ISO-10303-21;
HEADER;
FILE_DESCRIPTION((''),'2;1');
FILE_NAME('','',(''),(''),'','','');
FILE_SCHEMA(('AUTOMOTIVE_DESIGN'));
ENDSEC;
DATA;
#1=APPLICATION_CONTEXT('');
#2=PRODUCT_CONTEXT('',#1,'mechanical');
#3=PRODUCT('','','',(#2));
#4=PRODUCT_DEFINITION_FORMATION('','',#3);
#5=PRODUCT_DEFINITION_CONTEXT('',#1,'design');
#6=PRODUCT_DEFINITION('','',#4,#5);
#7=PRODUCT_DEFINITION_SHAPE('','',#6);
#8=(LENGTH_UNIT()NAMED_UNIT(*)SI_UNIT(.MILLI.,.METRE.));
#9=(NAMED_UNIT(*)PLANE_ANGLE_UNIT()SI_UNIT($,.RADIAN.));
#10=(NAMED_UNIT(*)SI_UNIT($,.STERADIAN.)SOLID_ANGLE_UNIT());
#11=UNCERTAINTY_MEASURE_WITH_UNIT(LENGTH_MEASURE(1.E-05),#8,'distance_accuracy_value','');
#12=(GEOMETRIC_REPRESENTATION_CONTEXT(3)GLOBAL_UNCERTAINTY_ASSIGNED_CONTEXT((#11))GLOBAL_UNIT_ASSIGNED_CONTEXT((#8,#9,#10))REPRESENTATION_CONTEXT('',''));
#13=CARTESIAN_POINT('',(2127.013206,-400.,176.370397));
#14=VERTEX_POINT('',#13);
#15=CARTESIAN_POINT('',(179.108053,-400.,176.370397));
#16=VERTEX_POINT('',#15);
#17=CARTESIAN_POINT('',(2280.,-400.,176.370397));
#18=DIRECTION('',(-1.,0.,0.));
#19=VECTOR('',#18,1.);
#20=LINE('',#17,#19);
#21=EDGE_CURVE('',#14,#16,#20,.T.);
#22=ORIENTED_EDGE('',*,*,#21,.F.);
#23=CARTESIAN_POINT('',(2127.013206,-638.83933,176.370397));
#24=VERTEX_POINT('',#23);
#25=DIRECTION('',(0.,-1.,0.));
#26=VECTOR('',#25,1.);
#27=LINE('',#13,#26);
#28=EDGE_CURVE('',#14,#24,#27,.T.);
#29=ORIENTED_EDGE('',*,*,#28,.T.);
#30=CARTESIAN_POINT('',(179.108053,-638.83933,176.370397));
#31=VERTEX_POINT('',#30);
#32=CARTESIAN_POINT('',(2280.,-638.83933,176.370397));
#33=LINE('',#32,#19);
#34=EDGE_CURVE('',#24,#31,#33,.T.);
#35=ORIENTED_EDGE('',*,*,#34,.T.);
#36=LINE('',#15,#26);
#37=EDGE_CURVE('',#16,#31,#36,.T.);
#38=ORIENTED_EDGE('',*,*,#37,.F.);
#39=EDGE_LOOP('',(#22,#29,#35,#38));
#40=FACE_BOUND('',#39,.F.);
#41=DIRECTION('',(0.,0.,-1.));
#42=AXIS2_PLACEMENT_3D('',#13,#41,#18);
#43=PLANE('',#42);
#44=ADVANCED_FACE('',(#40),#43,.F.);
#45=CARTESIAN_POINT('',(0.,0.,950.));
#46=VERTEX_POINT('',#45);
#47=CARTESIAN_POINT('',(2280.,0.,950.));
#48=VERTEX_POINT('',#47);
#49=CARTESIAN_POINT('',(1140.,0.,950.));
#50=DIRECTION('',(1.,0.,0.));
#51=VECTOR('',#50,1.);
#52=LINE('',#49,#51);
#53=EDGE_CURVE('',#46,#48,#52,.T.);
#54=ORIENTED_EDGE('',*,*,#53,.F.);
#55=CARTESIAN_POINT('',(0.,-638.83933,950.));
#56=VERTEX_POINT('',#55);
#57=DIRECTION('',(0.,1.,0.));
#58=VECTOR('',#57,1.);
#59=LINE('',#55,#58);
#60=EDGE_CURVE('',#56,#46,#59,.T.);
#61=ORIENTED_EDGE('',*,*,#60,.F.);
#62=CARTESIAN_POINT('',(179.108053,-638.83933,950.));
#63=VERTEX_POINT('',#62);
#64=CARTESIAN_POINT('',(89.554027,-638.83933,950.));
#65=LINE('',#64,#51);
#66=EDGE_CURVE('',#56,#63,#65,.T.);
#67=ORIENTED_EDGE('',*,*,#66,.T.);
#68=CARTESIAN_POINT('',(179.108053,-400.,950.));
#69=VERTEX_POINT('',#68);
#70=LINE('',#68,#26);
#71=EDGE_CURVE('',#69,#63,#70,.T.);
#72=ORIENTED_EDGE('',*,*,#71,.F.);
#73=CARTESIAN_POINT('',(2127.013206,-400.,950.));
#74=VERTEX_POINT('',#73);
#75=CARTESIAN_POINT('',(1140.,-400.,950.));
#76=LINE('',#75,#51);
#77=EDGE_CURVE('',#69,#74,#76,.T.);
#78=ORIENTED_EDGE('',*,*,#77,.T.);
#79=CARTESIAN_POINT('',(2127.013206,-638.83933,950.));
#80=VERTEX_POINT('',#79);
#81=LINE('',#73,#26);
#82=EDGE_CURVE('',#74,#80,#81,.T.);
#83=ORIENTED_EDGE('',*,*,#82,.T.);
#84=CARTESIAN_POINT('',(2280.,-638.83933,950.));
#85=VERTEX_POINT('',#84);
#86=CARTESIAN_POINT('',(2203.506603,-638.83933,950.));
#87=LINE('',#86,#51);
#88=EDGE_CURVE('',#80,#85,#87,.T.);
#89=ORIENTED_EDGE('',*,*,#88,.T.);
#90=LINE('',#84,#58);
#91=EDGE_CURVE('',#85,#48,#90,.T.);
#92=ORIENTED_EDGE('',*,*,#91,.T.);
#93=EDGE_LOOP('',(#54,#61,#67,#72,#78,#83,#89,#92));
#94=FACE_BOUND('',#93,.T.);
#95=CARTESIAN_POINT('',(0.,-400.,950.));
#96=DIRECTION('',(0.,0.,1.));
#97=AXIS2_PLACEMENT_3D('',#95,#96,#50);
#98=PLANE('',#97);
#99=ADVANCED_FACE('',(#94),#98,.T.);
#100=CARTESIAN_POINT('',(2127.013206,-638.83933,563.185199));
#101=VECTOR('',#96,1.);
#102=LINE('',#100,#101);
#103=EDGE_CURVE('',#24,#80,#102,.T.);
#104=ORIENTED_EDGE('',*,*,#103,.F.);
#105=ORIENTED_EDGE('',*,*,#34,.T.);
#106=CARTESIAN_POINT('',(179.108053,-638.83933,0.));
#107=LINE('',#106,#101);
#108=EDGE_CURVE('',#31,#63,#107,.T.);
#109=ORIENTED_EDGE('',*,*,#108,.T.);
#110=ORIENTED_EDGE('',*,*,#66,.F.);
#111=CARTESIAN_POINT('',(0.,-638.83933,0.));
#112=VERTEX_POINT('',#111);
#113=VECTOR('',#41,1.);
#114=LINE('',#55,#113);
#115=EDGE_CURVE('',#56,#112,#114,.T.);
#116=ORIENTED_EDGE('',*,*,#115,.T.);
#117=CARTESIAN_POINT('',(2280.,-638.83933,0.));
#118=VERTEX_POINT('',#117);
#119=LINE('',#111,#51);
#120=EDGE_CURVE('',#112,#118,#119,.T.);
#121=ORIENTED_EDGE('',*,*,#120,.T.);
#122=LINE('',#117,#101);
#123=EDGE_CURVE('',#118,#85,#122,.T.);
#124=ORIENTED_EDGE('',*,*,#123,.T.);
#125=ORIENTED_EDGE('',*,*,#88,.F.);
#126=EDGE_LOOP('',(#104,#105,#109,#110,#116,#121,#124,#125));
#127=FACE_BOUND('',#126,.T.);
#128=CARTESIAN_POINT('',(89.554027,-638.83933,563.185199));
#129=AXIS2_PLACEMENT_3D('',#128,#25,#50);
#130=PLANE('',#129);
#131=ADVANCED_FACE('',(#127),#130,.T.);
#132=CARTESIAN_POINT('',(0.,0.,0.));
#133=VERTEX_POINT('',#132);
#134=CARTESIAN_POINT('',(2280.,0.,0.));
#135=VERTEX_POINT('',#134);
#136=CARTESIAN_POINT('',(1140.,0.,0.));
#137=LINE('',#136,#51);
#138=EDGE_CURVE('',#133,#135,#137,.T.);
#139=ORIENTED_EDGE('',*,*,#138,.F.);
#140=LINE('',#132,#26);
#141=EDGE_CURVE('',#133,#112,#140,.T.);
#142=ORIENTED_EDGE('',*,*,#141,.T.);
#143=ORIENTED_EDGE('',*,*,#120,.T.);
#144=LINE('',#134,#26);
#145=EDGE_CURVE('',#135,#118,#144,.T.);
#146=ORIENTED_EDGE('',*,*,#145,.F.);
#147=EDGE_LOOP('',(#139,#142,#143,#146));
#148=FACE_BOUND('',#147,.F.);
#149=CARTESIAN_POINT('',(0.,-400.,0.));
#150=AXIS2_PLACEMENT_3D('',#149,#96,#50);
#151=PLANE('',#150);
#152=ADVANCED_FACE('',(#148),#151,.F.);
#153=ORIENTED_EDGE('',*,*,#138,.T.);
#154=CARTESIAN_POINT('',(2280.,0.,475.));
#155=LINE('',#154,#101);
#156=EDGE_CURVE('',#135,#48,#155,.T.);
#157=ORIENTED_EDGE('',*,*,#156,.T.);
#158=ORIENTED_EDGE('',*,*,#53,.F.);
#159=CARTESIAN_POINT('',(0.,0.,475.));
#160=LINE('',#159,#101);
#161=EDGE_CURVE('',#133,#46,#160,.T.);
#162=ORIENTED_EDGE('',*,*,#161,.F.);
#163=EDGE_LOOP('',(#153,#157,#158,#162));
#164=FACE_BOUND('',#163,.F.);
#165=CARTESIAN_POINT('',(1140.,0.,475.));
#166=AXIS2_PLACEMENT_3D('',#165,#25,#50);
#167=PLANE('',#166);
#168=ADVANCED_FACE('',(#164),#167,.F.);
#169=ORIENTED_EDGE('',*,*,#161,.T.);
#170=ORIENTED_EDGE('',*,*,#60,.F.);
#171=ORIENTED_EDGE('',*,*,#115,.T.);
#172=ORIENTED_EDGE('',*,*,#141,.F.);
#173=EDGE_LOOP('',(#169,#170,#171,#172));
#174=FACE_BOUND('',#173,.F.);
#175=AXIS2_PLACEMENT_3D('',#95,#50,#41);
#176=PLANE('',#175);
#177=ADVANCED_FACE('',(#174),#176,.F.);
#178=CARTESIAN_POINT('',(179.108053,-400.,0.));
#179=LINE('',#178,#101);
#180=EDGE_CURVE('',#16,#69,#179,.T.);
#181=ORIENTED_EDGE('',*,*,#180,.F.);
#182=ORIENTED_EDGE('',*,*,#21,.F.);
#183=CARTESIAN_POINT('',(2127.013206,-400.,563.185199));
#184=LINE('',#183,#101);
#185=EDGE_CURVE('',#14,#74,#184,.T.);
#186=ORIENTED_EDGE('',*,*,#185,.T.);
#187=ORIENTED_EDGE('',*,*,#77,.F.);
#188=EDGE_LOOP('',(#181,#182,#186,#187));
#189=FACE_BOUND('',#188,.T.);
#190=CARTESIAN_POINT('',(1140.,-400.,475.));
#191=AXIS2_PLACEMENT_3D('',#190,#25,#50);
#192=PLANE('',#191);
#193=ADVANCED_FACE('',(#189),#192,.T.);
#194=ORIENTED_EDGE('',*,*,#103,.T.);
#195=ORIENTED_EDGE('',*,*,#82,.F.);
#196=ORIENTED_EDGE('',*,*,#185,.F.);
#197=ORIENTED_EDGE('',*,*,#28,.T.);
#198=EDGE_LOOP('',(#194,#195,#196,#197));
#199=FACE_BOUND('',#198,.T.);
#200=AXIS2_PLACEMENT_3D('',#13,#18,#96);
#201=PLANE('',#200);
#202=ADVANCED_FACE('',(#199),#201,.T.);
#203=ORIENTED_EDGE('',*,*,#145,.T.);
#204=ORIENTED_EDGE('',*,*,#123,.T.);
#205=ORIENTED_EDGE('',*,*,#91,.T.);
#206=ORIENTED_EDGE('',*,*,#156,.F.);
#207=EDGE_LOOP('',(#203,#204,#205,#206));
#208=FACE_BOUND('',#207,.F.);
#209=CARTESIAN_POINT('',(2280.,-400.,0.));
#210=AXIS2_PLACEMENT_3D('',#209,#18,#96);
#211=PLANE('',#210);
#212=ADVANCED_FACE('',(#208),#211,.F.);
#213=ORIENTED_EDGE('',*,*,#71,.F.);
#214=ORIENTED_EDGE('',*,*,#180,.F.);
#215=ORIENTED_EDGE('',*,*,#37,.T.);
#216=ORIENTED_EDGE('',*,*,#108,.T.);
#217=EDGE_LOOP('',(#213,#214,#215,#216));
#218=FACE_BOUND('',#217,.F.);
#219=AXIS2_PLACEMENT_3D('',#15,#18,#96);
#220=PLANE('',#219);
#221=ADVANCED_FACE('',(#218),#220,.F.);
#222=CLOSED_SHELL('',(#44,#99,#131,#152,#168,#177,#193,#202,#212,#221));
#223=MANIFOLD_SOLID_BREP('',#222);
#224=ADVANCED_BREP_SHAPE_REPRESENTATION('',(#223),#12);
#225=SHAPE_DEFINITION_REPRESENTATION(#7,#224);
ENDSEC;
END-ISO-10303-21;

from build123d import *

# Parameters (mm, degrees)
F0_W     = 2280
F0_H     = 950
F1_DEPTH = 400
F2_W     = 179.1080534458
F2_H     = 773.6296027899
F2_H_2   = 176.3703972101
F2_W_2   = 1947.9051530361
F2_W_3   = 152.9867935181
F3_DEPTH = 238.83933


with BuildPart() as f1:
    # F0 (on Front) → F1 (new body)
    with BuildSketch(Plane.XZ):
        with Locations((1140, 475)):
            Rectangle(F0_W, F0_H)
    extrude(amount=F1_DEPTH)

    # F2 (on face) → F3 (join)
    with BuildSketch(Plane.XZ.offset(400)):
        with Locations((89.5540267229, 563.1851986051)):
            Rectangle(F2_W, F2_H)
        with Locations((89.5540267229, 88.1851986051)):
            Rectangle(F2_W, F2_H_2)
        with Locations((1153.0606299639, 88.1851986051)):
            Rectangle(F2_W_2, F2_H_2)
        with Locations((2203.506603241, 88.1851986051)):
            Rectangle(F2_W_3, F2_H_2)
        with Locations((2203.506603241, 563.1851986051)):
            Rectangle(F2_W_3, F2_H)
    extrude(amount=F3_DEPTH)


solid = f1.part
